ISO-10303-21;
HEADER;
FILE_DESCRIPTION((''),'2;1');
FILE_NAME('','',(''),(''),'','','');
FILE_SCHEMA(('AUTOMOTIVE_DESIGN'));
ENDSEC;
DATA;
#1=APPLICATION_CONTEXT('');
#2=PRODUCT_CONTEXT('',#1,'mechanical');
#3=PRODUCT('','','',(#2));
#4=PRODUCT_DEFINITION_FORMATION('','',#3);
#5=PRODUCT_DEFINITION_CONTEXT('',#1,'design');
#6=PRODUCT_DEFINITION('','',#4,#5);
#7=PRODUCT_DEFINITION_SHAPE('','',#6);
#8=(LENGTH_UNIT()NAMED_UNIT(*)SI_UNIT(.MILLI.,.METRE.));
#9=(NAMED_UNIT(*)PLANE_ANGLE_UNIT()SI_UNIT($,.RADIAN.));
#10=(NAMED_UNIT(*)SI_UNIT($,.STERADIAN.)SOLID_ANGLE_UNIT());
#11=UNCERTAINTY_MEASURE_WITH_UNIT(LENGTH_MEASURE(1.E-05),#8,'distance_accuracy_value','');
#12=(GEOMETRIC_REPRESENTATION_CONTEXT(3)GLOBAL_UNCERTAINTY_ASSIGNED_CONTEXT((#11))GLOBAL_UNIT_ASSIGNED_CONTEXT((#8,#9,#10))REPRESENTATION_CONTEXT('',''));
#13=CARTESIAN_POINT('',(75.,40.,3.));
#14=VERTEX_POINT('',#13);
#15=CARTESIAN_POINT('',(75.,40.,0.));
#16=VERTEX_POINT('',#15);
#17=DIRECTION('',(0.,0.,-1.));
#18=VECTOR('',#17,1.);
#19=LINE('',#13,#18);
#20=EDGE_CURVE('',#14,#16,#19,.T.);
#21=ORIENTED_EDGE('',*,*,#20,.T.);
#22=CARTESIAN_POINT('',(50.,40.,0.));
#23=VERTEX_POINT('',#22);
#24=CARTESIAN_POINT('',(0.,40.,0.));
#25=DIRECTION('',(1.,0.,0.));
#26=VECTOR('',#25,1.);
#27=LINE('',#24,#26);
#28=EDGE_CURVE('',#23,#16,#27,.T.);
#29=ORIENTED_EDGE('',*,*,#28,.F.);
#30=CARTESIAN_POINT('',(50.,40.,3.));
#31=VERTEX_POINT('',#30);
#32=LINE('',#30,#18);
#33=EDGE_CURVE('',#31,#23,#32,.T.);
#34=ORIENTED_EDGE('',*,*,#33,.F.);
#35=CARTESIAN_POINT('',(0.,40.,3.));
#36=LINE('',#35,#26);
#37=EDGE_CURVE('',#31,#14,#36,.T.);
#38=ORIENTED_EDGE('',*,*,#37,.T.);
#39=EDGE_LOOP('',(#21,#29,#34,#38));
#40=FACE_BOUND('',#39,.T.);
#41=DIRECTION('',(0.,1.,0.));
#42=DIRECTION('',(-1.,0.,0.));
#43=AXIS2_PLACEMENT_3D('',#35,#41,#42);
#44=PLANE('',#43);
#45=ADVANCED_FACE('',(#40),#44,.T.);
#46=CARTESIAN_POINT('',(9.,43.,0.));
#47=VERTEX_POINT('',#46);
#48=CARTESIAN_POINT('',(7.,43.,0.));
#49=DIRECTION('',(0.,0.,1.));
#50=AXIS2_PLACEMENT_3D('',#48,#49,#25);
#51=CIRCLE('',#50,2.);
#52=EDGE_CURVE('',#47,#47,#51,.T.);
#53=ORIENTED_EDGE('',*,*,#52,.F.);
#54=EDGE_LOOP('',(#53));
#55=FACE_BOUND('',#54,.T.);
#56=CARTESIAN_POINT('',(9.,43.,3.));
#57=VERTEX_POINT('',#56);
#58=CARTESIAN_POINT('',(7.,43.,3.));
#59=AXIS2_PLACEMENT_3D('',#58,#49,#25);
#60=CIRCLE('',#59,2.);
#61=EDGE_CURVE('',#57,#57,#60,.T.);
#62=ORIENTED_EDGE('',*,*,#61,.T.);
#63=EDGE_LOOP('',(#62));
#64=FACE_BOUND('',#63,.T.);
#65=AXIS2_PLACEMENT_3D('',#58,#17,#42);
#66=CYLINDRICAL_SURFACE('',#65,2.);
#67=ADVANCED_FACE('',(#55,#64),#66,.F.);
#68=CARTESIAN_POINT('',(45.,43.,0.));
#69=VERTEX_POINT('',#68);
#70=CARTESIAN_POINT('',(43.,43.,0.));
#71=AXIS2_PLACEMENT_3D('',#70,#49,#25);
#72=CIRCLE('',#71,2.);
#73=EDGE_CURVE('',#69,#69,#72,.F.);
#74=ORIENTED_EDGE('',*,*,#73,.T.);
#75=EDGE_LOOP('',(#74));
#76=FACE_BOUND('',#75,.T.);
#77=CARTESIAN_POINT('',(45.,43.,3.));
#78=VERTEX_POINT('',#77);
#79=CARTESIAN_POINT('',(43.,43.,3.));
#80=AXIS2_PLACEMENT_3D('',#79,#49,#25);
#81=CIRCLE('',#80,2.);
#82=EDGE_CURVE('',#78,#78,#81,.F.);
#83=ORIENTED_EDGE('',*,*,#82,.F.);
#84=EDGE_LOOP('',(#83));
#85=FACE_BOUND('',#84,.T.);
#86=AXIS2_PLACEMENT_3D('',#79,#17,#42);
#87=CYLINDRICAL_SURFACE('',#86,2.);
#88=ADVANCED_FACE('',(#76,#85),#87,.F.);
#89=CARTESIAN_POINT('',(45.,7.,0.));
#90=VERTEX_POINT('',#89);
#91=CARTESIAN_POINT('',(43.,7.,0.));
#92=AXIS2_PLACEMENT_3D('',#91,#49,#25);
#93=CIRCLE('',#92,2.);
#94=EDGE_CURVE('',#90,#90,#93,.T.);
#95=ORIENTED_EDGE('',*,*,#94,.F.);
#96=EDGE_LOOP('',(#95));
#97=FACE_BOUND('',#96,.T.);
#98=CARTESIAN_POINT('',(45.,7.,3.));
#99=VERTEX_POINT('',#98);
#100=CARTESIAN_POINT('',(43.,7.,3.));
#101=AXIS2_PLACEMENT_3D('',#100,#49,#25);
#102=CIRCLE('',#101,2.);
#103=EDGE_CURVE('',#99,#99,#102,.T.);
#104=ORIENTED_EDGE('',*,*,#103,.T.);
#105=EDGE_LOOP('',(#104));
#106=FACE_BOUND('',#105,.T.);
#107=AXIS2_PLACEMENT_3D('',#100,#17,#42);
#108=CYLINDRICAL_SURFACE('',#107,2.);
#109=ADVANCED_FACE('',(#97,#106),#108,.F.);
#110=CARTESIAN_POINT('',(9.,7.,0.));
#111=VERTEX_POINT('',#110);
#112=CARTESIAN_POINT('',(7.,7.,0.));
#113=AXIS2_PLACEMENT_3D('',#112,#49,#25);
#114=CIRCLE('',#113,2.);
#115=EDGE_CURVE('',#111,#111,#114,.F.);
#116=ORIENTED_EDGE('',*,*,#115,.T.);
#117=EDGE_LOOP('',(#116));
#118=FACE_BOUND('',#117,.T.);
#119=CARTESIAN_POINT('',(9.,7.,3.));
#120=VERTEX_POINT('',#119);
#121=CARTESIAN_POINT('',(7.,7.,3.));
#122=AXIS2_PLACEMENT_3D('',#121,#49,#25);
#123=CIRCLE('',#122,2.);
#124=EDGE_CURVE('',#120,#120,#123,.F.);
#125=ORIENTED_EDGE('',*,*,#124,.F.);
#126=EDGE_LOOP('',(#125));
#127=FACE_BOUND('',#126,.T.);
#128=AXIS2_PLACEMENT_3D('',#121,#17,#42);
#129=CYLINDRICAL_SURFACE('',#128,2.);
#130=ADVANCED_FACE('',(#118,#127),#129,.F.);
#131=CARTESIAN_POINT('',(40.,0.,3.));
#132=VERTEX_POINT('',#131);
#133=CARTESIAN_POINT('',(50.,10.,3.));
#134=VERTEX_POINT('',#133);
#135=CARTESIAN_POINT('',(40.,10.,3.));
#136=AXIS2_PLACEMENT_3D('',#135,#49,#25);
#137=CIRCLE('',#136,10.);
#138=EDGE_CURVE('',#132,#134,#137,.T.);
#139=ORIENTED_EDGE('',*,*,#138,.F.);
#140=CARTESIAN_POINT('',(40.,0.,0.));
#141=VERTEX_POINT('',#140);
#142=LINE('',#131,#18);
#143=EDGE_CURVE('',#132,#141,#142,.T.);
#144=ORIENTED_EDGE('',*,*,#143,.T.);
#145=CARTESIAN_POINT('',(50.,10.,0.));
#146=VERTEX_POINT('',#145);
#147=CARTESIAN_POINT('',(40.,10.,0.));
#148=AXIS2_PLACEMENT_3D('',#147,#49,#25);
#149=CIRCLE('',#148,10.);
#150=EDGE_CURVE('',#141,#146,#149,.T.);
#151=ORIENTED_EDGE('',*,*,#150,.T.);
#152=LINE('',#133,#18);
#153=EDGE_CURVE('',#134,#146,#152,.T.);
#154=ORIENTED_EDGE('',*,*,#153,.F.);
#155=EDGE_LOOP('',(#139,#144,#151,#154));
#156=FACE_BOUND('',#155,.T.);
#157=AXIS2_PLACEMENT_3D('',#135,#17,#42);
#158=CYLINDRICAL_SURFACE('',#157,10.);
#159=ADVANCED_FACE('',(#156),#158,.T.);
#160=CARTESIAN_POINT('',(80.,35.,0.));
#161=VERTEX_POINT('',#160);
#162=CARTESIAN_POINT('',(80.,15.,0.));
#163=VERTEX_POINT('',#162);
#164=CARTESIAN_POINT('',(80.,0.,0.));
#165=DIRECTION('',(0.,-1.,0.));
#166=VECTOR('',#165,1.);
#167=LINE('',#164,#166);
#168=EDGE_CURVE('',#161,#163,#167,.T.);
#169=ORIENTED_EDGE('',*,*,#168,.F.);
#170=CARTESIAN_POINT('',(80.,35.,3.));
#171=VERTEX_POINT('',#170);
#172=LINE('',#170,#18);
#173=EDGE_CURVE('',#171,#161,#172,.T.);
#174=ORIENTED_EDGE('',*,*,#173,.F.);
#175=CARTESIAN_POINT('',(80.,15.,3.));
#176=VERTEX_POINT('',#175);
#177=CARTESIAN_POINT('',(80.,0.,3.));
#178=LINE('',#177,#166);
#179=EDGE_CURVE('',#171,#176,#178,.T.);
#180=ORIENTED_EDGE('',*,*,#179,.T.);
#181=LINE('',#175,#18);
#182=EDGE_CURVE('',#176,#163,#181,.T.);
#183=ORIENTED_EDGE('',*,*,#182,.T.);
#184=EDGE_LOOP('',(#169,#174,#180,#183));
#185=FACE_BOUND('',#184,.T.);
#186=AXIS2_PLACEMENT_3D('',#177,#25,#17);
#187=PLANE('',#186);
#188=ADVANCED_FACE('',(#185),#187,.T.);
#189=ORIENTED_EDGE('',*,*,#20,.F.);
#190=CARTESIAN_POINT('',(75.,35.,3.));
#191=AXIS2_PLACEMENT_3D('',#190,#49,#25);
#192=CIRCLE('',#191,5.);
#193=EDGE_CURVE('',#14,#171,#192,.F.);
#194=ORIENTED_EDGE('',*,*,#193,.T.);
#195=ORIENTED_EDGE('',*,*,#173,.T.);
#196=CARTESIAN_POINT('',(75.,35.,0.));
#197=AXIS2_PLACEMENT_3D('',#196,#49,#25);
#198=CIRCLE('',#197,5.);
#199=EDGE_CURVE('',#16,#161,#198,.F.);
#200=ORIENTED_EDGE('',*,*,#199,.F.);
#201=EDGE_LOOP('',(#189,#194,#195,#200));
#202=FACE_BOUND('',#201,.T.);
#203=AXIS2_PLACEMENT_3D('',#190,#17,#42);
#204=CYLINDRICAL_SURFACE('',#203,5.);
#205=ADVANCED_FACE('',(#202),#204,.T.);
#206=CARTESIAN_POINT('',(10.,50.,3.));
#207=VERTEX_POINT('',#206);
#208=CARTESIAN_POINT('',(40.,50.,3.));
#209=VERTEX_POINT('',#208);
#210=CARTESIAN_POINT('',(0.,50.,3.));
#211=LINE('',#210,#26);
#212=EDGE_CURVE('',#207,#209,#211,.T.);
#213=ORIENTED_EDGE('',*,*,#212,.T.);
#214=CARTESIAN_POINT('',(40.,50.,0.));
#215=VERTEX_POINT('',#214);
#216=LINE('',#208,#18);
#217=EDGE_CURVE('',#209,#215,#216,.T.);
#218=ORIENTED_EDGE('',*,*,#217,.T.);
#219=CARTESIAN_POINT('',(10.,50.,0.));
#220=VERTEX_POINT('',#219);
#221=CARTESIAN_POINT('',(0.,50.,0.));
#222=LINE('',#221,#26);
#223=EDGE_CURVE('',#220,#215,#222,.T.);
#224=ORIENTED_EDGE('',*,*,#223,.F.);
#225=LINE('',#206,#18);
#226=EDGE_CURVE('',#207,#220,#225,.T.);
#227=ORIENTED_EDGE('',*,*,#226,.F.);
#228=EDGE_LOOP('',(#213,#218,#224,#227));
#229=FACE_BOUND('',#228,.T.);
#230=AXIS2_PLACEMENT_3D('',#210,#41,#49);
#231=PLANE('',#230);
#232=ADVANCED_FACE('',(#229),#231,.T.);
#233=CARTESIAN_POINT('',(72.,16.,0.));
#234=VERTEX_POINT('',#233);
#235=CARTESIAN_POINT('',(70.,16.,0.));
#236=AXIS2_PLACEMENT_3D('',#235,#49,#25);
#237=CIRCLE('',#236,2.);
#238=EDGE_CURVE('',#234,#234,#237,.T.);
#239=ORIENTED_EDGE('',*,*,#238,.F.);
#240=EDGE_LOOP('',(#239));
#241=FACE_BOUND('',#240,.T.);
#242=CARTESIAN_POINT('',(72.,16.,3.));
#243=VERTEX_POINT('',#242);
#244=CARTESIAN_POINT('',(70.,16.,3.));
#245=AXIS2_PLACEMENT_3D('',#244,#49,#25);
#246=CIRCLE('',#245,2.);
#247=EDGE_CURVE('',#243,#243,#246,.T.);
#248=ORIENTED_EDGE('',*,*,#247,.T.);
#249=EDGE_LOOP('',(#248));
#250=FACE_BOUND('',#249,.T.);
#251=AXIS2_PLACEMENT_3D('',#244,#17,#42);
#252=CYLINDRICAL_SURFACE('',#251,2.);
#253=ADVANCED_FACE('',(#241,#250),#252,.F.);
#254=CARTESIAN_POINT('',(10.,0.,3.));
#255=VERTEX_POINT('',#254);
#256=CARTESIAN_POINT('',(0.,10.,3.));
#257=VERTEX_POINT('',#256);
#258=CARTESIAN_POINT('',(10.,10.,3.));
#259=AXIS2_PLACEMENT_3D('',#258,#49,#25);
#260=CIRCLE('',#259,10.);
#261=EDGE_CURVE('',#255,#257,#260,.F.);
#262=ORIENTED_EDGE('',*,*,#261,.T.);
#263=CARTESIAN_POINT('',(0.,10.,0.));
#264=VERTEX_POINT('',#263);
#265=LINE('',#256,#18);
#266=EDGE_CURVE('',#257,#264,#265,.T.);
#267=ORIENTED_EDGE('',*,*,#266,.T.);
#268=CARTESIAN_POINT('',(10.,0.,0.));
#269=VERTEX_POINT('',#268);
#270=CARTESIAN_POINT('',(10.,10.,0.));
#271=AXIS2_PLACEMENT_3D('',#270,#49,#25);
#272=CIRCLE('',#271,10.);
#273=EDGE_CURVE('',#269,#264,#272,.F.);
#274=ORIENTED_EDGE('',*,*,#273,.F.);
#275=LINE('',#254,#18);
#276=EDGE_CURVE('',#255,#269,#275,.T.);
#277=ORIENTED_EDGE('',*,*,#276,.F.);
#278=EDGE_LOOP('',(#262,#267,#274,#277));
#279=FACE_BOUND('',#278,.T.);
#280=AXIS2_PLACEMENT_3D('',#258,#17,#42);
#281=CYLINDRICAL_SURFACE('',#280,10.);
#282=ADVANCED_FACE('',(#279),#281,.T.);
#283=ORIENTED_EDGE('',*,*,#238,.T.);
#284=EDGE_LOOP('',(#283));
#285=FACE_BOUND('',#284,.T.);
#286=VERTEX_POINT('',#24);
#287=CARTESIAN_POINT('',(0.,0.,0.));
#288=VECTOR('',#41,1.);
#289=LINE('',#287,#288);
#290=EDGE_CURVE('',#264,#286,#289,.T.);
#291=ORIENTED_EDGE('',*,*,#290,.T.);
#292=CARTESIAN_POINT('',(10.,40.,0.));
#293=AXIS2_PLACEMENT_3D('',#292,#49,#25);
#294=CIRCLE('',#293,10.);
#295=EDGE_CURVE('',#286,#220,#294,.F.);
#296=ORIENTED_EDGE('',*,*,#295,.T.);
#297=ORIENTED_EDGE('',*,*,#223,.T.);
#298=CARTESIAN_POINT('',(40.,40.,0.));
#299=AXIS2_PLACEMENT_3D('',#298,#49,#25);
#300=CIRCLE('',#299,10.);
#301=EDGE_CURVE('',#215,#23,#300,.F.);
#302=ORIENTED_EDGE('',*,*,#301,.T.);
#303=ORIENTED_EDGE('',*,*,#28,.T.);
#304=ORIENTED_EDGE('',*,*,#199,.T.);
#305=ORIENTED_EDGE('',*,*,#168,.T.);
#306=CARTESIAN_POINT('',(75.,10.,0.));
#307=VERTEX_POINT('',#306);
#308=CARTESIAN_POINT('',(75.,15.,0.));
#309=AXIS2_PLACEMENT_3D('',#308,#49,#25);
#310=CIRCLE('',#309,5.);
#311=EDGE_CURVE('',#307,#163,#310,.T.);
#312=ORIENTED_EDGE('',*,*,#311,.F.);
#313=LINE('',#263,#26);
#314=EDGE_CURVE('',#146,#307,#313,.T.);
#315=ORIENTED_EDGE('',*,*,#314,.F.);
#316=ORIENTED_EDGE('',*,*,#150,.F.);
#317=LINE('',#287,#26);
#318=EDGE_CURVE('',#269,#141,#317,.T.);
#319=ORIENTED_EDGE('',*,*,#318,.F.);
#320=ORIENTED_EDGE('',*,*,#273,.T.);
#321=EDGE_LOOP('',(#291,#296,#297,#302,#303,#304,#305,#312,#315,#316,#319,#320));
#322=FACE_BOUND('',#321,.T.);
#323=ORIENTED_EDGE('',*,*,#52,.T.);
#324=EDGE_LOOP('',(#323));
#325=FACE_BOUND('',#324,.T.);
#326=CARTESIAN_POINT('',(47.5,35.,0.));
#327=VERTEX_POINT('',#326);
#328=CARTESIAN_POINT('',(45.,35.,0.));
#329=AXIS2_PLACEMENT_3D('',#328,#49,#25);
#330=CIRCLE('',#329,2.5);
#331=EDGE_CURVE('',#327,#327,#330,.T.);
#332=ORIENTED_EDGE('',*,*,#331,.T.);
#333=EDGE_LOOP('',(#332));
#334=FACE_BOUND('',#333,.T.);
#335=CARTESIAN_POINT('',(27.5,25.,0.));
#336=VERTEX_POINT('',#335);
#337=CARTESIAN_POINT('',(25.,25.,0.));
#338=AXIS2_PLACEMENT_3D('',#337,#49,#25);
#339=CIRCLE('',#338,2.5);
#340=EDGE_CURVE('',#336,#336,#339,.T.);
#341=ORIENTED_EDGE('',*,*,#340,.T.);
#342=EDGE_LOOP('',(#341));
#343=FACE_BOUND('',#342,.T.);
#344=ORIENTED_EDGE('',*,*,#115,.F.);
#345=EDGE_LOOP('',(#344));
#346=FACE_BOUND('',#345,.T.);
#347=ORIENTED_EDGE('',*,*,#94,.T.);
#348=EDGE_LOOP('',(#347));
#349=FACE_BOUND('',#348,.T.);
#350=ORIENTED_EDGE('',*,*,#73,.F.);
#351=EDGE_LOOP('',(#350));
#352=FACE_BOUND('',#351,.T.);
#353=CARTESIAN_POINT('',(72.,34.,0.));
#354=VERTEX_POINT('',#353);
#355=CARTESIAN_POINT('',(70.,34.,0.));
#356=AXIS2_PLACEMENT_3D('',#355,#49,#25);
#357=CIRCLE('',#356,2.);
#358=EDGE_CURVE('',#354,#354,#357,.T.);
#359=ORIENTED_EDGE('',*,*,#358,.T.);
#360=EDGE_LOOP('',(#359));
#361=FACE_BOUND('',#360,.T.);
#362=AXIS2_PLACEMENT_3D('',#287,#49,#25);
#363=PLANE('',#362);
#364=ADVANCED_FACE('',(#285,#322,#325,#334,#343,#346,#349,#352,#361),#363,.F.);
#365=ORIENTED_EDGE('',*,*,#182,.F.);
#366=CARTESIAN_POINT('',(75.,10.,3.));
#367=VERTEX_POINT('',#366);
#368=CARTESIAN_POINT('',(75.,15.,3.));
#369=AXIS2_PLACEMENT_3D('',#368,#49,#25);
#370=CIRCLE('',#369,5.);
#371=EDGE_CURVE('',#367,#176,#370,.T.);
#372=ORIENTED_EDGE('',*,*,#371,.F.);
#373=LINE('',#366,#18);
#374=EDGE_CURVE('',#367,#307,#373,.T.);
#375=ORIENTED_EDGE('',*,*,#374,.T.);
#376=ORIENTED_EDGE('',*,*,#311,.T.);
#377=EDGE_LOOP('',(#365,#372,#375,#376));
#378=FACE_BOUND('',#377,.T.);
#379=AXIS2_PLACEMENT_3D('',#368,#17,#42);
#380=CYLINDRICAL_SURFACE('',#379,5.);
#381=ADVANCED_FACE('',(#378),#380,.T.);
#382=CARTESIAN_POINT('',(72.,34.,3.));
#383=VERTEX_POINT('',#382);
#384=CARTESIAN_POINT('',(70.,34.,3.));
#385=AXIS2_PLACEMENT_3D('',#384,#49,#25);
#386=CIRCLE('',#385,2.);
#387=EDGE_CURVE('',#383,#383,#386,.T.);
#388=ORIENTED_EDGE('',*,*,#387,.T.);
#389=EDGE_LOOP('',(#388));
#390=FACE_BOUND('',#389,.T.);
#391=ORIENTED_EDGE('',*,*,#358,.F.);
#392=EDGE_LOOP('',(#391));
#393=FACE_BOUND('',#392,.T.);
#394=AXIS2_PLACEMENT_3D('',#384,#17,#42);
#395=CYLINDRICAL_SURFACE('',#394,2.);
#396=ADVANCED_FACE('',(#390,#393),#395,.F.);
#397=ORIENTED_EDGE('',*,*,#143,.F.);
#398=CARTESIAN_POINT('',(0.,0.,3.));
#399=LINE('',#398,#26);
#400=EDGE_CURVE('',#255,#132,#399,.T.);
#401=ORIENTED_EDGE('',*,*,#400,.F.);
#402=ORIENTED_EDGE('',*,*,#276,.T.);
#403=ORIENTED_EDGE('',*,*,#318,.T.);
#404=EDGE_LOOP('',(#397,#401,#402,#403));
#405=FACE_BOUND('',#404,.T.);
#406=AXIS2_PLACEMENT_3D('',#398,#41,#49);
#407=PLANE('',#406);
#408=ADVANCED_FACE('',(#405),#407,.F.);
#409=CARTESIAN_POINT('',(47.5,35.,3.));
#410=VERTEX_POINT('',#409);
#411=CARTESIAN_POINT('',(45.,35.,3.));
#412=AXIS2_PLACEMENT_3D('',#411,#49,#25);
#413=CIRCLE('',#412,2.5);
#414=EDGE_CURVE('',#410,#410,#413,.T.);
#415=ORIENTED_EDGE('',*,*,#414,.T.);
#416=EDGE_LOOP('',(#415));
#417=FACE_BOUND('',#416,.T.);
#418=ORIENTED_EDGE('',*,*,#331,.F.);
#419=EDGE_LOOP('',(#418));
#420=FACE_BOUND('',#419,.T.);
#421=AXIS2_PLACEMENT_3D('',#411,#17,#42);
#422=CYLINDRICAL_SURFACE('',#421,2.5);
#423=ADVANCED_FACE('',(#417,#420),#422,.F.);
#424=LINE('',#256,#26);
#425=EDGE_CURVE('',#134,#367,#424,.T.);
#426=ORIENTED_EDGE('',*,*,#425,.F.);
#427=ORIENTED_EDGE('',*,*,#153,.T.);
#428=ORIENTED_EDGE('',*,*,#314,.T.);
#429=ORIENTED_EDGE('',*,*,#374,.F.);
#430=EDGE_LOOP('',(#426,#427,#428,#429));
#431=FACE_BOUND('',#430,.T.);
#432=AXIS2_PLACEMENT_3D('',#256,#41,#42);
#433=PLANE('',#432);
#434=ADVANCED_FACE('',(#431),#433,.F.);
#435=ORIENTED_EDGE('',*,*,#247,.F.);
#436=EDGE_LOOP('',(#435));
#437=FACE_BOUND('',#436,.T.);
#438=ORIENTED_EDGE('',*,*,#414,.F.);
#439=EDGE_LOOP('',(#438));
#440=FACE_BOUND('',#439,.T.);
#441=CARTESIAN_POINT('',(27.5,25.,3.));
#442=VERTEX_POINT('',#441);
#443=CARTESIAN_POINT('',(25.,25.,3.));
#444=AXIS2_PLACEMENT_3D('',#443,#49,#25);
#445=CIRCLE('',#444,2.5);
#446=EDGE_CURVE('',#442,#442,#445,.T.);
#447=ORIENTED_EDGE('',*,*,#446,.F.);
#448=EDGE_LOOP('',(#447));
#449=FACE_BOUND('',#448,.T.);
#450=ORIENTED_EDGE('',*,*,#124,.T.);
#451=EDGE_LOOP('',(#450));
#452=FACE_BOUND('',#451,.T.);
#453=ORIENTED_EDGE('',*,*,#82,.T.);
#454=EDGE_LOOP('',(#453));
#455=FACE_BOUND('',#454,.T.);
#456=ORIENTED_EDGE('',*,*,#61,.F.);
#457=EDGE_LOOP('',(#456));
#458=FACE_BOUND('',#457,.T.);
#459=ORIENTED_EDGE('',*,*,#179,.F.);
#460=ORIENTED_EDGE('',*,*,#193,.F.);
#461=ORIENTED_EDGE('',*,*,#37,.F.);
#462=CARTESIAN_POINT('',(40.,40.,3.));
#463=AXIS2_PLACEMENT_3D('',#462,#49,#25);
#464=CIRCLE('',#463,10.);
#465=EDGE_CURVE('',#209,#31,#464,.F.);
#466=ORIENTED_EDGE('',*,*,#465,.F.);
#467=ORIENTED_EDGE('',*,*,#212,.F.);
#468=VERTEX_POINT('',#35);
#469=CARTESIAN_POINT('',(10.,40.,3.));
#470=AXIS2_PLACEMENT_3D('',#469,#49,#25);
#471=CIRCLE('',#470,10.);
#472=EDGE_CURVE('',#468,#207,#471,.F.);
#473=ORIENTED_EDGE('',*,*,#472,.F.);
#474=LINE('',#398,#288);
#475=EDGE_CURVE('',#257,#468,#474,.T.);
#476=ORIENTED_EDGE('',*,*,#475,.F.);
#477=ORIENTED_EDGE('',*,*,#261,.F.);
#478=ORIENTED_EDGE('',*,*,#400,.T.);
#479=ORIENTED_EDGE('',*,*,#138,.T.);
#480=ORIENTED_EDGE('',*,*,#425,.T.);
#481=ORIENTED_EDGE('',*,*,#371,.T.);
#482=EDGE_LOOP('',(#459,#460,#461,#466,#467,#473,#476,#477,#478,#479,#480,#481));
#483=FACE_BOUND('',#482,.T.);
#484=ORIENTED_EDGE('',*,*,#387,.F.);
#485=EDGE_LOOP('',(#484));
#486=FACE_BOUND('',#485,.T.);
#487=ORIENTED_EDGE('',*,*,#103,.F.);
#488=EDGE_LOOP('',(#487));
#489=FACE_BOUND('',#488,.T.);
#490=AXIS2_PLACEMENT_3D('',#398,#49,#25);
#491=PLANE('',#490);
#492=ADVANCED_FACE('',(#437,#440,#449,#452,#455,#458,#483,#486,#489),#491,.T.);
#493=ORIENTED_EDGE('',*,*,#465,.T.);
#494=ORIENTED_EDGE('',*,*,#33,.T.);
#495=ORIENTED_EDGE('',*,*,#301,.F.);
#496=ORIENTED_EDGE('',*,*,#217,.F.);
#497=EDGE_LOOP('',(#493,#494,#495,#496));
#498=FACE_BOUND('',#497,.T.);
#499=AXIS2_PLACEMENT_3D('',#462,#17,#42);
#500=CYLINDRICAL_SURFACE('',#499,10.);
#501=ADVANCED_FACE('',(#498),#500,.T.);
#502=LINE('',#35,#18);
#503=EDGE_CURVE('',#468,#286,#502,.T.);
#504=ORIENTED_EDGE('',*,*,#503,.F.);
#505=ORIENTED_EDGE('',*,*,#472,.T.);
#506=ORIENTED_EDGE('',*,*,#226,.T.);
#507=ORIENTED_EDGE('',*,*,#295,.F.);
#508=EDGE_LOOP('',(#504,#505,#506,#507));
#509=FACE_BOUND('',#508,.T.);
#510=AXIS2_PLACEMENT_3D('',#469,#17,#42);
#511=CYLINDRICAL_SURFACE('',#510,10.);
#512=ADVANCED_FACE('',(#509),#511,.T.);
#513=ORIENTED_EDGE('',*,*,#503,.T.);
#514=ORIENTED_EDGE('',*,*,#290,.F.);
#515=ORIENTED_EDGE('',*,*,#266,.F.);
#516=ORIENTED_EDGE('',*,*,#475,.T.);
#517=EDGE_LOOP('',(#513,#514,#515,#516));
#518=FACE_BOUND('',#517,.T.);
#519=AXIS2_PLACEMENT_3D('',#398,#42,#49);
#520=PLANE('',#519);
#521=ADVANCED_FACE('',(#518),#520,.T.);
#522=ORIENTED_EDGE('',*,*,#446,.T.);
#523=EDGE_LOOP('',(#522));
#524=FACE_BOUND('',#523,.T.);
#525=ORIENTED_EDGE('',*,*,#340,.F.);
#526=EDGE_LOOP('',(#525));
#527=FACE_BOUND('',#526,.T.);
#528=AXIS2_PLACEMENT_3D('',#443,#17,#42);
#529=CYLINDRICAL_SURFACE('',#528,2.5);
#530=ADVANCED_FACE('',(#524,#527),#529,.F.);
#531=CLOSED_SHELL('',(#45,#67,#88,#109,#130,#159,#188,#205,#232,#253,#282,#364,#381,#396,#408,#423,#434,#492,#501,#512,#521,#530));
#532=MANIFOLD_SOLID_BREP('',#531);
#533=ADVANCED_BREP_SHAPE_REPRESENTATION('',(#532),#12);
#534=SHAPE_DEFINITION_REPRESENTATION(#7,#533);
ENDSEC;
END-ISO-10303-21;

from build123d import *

# Parameters (mm, degrees)
CROQUIS1_R              = 2.5
CROQUIS1_R_2            = 2
SALIENTE_EXTRUIR1_DEPTH = 3


with BuildPart() as part:
    # Croquis1 → Saliente-Extruir1 (new body)
    with BuildSketch(Plane.XY):
        with BuildLine():
            ThreePointArc((0, 40), (2.928932188, 47.071067812), (10, 50))
            Line((10, 50), (40, 50))
            ThreePointArc((40, 50), (47.071067812, 47.071067812), (50, 40))
            Line((50, 40), (50, 10))
            ThreePointArc((50, 10), (47.071067812, 2.928932188), (40, 0))
            Line((40, 0), (10, 0))
            ThreePointArc((10, 0), (2.928932188, 2.928932188), (0, 10))
            Line((0, 10), (0, 40))
        make_face()
        with Locations((45, 35)):
            Circle(CROQUIS1_R, mode=Mode.SUBTRACT)
        with Locations((25, 25)):
            Circle(CROQUIS1_R, mode=Mode.SUBTRACT)
        with Locations((43, 43)):
            Circle(CROQUIS1_R_2, mode=Mode.SUBTRACT)
        with Locations((7, 43)):
            Circle(CROQUIS1_R_2, mode=Mode.SUBTRACT)
        with Locations((43, 7)):
            Circle(CROQUIS1_R_2, mode=Mode.SUBTRACT)
        with Locations((7, 7)):
            Circle(CROQUIS1_R_2, mode=Mode.SUBTRACT)
        with BuildLine():
            ThreePointArc((75, 40), (78.535533906, 38.535533906), (80, 35))
            Line((80, 35), (80, 15))
            ThreePointArc((80, 15), (78.535533906, 11.464466094), (75, 10))
            Line((75, 10), (50, 10))
            Line((50, 10), (50, 40))
            Line((50, 40), (75, 40))
        make_face()
        with Locations((70, 16)):
            Circle(CROQUIS1_R_2, mode=Mode.SUBTRACT)
        with Locations((70, 34)):
            Circle(CROQUIS1_R_2, mode=Mode.SUBTRACT)
    extrude(amount=SALIENTE_EXTRUIR1_DEPTH)


solid = part.part
